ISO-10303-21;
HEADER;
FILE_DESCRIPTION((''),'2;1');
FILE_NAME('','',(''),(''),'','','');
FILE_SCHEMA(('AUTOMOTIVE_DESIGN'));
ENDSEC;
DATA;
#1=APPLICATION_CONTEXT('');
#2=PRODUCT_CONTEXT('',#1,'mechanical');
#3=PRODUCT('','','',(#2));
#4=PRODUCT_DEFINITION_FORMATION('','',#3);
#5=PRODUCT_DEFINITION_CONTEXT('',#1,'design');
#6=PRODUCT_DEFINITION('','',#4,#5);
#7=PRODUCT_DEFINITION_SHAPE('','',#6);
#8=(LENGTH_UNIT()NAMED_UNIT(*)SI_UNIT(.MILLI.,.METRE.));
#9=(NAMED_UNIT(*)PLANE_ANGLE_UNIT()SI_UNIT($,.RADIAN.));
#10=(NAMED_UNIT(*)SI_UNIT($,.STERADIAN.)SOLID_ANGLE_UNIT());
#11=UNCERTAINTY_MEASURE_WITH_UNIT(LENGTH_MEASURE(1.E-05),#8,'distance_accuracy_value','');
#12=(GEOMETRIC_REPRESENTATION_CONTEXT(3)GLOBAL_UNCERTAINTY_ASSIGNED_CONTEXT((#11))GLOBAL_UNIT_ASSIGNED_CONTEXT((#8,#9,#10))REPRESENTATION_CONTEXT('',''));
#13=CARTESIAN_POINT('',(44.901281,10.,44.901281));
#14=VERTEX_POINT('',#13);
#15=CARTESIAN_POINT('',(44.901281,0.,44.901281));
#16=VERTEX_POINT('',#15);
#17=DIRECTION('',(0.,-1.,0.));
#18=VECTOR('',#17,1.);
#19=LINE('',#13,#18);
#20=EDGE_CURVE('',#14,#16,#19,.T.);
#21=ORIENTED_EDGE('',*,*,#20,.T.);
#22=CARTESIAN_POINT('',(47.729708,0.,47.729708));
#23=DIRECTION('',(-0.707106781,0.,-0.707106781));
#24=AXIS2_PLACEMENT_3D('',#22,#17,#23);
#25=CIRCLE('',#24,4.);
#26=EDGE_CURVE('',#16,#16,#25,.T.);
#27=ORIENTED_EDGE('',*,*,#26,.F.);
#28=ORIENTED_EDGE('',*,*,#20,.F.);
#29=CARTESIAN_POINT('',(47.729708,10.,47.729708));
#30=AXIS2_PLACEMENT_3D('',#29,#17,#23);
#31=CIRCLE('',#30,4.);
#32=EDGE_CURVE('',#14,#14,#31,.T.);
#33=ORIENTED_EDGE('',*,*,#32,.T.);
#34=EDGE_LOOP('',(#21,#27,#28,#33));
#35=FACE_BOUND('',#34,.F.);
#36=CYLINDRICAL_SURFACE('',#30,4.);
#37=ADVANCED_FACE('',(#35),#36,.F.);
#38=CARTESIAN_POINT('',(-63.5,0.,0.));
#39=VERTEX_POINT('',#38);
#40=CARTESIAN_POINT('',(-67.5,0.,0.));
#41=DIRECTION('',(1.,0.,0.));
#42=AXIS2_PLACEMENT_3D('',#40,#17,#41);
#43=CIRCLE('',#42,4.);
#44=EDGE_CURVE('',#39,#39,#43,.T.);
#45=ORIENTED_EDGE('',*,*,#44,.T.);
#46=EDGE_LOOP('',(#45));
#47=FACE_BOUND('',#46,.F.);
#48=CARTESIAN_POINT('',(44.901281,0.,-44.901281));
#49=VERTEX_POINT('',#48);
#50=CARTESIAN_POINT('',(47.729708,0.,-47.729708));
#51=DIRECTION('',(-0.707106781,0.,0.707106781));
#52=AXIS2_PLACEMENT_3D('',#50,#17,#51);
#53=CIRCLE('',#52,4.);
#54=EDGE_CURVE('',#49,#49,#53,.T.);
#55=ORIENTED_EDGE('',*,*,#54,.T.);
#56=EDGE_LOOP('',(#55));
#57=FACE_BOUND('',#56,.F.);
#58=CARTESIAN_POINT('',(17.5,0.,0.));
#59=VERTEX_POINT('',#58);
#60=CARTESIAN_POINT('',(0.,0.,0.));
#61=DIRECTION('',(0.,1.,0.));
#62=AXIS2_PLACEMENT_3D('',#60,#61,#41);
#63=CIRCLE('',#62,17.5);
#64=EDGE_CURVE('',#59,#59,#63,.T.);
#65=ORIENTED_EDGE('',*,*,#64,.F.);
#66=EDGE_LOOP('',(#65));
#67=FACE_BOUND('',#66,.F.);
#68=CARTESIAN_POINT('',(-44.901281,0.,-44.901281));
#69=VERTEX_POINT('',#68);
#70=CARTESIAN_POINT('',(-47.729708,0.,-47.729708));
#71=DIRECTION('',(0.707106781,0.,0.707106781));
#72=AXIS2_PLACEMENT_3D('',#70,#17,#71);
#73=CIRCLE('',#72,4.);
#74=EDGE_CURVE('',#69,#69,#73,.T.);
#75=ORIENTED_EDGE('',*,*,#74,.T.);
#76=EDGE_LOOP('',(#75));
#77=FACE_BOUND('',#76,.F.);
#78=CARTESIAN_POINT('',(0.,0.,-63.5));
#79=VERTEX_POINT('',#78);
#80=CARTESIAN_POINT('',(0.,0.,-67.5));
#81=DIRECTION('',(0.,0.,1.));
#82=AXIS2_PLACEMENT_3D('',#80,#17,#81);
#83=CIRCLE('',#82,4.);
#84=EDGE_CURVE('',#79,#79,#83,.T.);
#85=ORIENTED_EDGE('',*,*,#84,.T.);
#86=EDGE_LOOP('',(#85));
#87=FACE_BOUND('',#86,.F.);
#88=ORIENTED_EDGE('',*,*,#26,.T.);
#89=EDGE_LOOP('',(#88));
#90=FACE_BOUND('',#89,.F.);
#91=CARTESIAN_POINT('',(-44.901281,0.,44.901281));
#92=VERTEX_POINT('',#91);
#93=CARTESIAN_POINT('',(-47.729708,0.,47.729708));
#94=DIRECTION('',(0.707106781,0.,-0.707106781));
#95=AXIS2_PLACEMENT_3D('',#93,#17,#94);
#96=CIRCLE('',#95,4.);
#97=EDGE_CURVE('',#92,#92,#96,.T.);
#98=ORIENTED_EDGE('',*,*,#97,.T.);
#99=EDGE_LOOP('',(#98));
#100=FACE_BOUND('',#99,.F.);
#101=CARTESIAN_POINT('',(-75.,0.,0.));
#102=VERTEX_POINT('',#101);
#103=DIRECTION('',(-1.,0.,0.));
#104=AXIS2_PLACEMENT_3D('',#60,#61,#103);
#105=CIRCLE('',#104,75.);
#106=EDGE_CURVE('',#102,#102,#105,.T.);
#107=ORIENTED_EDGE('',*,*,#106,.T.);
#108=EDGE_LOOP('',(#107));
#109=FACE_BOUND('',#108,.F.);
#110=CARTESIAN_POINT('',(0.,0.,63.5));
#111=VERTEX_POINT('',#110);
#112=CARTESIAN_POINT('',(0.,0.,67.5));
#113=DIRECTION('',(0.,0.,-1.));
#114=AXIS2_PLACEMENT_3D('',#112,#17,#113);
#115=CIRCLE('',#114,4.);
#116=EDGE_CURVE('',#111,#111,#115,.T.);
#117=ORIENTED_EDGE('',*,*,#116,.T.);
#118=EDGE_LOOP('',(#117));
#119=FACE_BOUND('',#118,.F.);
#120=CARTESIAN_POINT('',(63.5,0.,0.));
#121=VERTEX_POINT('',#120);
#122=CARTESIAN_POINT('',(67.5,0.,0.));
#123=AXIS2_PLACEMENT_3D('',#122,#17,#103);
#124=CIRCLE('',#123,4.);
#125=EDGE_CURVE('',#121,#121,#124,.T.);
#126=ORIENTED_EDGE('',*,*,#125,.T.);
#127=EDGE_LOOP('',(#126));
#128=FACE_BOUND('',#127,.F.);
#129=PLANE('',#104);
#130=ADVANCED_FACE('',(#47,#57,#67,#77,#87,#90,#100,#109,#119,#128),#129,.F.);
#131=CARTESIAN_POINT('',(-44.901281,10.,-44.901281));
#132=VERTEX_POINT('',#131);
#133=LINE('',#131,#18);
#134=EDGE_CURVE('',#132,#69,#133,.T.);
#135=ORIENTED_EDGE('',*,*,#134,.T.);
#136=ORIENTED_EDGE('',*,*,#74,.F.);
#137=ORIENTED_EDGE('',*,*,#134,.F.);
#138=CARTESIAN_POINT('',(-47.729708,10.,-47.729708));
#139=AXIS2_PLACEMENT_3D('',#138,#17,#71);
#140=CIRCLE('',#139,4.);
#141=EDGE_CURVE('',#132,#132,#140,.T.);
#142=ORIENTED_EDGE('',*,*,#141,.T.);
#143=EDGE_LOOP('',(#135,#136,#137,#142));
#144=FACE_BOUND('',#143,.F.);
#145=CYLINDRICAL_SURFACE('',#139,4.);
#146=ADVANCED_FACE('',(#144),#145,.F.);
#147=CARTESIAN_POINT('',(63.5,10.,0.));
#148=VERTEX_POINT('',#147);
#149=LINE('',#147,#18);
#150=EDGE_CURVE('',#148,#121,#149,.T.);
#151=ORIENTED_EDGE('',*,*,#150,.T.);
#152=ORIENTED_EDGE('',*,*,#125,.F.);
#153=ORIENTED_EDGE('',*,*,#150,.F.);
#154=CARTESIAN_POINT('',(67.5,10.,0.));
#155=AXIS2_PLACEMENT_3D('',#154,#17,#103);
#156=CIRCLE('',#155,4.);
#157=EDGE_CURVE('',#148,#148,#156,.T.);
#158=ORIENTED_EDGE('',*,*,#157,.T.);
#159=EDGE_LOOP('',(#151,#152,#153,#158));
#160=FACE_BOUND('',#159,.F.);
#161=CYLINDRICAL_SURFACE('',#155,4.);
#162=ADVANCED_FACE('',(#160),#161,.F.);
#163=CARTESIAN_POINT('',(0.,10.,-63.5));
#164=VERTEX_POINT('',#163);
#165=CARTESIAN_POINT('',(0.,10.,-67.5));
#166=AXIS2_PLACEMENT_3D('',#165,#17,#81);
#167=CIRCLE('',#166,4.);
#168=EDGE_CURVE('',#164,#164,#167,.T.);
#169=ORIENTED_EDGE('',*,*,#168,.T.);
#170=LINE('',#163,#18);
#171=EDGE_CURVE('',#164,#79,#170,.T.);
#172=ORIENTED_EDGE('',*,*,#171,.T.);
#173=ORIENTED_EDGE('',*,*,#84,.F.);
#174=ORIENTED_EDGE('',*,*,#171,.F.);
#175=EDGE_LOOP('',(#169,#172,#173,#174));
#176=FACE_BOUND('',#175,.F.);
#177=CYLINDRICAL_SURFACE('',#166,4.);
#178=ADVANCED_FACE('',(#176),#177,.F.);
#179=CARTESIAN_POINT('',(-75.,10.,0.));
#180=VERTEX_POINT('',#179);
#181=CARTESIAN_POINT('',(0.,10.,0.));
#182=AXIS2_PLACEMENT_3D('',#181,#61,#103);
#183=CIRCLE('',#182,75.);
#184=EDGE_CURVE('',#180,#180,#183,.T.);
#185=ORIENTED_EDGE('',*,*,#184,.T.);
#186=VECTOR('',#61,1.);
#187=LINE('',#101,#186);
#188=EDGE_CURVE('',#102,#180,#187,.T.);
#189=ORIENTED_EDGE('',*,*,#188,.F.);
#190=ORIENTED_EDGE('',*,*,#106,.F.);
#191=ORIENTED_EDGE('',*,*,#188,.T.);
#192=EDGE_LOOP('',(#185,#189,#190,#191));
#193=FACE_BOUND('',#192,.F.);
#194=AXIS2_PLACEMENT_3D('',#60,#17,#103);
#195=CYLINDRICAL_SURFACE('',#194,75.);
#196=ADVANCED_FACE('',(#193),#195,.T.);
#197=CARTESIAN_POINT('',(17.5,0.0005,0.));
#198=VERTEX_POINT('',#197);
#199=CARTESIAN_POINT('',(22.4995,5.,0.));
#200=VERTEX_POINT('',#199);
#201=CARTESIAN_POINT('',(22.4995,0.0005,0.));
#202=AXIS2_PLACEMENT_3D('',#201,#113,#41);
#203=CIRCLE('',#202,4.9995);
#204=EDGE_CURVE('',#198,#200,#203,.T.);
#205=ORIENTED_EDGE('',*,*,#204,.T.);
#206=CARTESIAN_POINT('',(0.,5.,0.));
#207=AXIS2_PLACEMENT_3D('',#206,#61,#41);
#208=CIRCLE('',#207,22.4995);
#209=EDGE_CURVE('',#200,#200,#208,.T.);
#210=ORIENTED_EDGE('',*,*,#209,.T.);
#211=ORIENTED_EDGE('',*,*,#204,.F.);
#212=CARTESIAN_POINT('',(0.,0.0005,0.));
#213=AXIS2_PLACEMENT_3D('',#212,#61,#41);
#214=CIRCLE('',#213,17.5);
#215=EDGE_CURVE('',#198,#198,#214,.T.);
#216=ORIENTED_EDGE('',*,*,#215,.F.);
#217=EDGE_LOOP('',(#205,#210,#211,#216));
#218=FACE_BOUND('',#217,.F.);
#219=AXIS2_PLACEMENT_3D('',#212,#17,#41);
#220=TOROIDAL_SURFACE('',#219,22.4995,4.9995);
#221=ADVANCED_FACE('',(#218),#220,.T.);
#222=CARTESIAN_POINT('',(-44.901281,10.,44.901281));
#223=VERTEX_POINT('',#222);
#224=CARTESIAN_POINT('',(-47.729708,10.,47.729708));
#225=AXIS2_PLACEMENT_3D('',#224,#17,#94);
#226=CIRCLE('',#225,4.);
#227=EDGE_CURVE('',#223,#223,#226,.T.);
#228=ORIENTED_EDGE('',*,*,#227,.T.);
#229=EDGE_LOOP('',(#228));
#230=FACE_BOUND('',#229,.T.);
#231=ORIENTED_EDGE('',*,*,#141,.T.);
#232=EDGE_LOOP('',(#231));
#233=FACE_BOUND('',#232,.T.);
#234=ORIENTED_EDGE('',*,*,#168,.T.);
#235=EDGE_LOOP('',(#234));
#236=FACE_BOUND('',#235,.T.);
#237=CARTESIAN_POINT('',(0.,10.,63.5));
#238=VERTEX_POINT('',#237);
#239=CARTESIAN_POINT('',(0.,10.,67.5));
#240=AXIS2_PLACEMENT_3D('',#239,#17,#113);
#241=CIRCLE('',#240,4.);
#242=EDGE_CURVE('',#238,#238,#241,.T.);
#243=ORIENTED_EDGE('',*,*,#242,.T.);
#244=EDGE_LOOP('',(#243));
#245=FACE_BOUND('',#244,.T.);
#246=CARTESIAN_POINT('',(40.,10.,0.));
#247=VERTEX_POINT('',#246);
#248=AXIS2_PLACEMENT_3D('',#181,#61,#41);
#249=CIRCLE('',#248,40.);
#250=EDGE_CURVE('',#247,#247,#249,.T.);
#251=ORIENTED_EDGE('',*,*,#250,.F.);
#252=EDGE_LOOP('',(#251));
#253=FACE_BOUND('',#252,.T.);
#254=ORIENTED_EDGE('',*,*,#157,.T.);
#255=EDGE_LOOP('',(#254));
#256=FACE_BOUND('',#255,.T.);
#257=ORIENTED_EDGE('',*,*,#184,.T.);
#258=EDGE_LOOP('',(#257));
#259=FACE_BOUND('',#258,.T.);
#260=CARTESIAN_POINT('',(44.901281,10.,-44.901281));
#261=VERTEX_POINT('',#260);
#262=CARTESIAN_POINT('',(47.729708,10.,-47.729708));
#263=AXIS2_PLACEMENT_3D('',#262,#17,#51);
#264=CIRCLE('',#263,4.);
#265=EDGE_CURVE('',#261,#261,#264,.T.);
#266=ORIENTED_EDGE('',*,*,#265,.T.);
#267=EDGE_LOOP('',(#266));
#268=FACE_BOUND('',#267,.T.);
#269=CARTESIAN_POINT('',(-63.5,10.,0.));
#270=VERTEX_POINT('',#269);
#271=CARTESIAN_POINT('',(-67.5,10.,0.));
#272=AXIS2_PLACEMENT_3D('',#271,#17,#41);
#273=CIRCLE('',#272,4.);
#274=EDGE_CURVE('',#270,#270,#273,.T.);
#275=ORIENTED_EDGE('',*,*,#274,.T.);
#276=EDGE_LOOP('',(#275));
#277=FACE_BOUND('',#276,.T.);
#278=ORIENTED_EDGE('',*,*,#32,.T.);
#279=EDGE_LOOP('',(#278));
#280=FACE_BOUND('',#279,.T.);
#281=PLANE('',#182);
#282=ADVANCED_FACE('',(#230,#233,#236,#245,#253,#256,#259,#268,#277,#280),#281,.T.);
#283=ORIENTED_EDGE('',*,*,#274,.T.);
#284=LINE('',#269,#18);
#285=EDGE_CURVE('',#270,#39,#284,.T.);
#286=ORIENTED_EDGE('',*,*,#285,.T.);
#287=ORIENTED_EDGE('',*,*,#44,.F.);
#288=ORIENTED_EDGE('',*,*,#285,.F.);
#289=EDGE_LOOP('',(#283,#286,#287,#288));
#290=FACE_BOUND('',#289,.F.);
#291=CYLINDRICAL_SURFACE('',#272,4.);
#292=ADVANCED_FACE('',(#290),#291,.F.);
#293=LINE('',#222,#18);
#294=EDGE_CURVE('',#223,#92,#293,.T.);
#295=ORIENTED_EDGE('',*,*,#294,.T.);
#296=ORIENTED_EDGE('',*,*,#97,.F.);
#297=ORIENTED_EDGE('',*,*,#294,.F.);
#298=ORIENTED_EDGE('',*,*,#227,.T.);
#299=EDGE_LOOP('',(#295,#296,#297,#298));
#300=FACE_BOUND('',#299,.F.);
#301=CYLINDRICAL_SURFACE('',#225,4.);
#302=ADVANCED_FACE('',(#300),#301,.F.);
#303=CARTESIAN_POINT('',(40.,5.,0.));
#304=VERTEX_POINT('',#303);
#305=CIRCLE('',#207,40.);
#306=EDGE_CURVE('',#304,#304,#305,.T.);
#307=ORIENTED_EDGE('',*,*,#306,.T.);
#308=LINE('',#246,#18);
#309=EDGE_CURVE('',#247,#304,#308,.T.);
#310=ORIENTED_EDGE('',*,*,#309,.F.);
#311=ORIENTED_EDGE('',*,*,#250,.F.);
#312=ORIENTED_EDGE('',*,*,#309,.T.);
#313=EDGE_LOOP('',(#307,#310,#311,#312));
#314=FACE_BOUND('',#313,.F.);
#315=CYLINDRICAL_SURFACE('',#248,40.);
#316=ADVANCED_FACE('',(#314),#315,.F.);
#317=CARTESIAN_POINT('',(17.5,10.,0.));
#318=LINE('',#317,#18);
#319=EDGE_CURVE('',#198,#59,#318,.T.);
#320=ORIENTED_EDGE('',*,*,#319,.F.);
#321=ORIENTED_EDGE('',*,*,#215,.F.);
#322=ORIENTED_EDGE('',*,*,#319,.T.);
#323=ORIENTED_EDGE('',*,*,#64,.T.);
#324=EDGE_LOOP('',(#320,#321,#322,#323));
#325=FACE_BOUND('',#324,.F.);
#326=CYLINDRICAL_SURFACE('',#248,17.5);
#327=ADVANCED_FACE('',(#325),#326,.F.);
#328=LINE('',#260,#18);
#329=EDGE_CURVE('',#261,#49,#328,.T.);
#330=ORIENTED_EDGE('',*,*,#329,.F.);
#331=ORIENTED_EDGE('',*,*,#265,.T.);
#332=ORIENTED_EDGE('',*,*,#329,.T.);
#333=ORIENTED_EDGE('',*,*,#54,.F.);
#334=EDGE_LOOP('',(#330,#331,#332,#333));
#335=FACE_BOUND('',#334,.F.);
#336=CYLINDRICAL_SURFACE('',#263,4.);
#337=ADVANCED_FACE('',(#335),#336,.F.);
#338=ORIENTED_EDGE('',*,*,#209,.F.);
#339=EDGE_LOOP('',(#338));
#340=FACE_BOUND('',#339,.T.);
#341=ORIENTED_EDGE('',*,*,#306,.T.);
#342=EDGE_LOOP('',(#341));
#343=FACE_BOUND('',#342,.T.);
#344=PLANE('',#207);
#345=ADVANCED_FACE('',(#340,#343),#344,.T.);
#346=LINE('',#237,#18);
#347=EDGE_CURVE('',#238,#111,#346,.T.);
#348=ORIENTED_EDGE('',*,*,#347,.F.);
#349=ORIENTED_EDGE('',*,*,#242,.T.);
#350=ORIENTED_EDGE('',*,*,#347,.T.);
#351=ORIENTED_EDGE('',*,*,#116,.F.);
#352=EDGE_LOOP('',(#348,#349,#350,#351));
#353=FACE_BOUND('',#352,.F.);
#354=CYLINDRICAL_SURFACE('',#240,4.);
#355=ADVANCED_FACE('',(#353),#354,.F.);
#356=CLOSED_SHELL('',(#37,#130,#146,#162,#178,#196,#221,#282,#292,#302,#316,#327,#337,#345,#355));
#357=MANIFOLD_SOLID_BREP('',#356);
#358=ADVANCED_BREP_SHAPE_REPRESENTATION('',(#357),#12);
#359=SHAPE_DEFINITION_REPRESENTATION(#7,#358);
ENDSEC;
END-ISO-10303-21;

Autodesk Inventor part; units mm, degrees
ref_plane "YZ Plane" through (0, 0, 0) normal (1, 0, 0) x (0, 1, 0)
ref_plane "XZ Plane" through (0, 0, 0) normal (0, 1, 0) x (-1, 0, 0)
ref_plane "XY Plane" through (0, 0, 0) normal (0, 0, 1) x (1, 0, 0)
sketch "Sketch1" plane through (0, 0, 0) normal (0, 1, 0) x (-1, 0, 0)
  circle A0 centre (0, 0) radius 75
  dimension "d0" = 150
extrude "Extrusion1" add sketch "Sketch1" along normal blind 10
sketch "Sketch2" plane through (0, 10, 0) normal (0, 1, 0) x (1, 0, 0)
  circle A0 centre (0, 0) radius 17.5
  dimension "d5" = 35
extrude "Extrusion2" cut sketch "Sketch2" against normal blind 10
sketch "Sketch3" plane through (0, 10, 0) normal (0, 1, 0) x (1, 0, 0)
  circle A0 centre (0, 0) radius 40
  dimension "d8" = 80
extrude "Extrusion3" cut sketch "Sketch3" against normal blind 5
fillet "Fillet2" radius 5 1 edges at (-17.5, 5, 0)
sketch "Sketch5" plane through (0, 10, 0) normal (0, 1, 0) x (1, 0, 0)
  circle A0 centre (0, 0) radius 67.5 construction
  circle A1 centre (0, 67.5) radius 4
  dimension "d46" = 135
  dimension "d47" = 8
hole "Hole2" at (0, 10, -67.5) direction (0, -1, 0) diameter 8 end through all
pattern_circular "Circular Pattern2" count 8 over 360 about axis through (0, -10, 0) along (0, 1, 0) of "Hole2"
properties part number "faceplate" material "Stainless Steel"
